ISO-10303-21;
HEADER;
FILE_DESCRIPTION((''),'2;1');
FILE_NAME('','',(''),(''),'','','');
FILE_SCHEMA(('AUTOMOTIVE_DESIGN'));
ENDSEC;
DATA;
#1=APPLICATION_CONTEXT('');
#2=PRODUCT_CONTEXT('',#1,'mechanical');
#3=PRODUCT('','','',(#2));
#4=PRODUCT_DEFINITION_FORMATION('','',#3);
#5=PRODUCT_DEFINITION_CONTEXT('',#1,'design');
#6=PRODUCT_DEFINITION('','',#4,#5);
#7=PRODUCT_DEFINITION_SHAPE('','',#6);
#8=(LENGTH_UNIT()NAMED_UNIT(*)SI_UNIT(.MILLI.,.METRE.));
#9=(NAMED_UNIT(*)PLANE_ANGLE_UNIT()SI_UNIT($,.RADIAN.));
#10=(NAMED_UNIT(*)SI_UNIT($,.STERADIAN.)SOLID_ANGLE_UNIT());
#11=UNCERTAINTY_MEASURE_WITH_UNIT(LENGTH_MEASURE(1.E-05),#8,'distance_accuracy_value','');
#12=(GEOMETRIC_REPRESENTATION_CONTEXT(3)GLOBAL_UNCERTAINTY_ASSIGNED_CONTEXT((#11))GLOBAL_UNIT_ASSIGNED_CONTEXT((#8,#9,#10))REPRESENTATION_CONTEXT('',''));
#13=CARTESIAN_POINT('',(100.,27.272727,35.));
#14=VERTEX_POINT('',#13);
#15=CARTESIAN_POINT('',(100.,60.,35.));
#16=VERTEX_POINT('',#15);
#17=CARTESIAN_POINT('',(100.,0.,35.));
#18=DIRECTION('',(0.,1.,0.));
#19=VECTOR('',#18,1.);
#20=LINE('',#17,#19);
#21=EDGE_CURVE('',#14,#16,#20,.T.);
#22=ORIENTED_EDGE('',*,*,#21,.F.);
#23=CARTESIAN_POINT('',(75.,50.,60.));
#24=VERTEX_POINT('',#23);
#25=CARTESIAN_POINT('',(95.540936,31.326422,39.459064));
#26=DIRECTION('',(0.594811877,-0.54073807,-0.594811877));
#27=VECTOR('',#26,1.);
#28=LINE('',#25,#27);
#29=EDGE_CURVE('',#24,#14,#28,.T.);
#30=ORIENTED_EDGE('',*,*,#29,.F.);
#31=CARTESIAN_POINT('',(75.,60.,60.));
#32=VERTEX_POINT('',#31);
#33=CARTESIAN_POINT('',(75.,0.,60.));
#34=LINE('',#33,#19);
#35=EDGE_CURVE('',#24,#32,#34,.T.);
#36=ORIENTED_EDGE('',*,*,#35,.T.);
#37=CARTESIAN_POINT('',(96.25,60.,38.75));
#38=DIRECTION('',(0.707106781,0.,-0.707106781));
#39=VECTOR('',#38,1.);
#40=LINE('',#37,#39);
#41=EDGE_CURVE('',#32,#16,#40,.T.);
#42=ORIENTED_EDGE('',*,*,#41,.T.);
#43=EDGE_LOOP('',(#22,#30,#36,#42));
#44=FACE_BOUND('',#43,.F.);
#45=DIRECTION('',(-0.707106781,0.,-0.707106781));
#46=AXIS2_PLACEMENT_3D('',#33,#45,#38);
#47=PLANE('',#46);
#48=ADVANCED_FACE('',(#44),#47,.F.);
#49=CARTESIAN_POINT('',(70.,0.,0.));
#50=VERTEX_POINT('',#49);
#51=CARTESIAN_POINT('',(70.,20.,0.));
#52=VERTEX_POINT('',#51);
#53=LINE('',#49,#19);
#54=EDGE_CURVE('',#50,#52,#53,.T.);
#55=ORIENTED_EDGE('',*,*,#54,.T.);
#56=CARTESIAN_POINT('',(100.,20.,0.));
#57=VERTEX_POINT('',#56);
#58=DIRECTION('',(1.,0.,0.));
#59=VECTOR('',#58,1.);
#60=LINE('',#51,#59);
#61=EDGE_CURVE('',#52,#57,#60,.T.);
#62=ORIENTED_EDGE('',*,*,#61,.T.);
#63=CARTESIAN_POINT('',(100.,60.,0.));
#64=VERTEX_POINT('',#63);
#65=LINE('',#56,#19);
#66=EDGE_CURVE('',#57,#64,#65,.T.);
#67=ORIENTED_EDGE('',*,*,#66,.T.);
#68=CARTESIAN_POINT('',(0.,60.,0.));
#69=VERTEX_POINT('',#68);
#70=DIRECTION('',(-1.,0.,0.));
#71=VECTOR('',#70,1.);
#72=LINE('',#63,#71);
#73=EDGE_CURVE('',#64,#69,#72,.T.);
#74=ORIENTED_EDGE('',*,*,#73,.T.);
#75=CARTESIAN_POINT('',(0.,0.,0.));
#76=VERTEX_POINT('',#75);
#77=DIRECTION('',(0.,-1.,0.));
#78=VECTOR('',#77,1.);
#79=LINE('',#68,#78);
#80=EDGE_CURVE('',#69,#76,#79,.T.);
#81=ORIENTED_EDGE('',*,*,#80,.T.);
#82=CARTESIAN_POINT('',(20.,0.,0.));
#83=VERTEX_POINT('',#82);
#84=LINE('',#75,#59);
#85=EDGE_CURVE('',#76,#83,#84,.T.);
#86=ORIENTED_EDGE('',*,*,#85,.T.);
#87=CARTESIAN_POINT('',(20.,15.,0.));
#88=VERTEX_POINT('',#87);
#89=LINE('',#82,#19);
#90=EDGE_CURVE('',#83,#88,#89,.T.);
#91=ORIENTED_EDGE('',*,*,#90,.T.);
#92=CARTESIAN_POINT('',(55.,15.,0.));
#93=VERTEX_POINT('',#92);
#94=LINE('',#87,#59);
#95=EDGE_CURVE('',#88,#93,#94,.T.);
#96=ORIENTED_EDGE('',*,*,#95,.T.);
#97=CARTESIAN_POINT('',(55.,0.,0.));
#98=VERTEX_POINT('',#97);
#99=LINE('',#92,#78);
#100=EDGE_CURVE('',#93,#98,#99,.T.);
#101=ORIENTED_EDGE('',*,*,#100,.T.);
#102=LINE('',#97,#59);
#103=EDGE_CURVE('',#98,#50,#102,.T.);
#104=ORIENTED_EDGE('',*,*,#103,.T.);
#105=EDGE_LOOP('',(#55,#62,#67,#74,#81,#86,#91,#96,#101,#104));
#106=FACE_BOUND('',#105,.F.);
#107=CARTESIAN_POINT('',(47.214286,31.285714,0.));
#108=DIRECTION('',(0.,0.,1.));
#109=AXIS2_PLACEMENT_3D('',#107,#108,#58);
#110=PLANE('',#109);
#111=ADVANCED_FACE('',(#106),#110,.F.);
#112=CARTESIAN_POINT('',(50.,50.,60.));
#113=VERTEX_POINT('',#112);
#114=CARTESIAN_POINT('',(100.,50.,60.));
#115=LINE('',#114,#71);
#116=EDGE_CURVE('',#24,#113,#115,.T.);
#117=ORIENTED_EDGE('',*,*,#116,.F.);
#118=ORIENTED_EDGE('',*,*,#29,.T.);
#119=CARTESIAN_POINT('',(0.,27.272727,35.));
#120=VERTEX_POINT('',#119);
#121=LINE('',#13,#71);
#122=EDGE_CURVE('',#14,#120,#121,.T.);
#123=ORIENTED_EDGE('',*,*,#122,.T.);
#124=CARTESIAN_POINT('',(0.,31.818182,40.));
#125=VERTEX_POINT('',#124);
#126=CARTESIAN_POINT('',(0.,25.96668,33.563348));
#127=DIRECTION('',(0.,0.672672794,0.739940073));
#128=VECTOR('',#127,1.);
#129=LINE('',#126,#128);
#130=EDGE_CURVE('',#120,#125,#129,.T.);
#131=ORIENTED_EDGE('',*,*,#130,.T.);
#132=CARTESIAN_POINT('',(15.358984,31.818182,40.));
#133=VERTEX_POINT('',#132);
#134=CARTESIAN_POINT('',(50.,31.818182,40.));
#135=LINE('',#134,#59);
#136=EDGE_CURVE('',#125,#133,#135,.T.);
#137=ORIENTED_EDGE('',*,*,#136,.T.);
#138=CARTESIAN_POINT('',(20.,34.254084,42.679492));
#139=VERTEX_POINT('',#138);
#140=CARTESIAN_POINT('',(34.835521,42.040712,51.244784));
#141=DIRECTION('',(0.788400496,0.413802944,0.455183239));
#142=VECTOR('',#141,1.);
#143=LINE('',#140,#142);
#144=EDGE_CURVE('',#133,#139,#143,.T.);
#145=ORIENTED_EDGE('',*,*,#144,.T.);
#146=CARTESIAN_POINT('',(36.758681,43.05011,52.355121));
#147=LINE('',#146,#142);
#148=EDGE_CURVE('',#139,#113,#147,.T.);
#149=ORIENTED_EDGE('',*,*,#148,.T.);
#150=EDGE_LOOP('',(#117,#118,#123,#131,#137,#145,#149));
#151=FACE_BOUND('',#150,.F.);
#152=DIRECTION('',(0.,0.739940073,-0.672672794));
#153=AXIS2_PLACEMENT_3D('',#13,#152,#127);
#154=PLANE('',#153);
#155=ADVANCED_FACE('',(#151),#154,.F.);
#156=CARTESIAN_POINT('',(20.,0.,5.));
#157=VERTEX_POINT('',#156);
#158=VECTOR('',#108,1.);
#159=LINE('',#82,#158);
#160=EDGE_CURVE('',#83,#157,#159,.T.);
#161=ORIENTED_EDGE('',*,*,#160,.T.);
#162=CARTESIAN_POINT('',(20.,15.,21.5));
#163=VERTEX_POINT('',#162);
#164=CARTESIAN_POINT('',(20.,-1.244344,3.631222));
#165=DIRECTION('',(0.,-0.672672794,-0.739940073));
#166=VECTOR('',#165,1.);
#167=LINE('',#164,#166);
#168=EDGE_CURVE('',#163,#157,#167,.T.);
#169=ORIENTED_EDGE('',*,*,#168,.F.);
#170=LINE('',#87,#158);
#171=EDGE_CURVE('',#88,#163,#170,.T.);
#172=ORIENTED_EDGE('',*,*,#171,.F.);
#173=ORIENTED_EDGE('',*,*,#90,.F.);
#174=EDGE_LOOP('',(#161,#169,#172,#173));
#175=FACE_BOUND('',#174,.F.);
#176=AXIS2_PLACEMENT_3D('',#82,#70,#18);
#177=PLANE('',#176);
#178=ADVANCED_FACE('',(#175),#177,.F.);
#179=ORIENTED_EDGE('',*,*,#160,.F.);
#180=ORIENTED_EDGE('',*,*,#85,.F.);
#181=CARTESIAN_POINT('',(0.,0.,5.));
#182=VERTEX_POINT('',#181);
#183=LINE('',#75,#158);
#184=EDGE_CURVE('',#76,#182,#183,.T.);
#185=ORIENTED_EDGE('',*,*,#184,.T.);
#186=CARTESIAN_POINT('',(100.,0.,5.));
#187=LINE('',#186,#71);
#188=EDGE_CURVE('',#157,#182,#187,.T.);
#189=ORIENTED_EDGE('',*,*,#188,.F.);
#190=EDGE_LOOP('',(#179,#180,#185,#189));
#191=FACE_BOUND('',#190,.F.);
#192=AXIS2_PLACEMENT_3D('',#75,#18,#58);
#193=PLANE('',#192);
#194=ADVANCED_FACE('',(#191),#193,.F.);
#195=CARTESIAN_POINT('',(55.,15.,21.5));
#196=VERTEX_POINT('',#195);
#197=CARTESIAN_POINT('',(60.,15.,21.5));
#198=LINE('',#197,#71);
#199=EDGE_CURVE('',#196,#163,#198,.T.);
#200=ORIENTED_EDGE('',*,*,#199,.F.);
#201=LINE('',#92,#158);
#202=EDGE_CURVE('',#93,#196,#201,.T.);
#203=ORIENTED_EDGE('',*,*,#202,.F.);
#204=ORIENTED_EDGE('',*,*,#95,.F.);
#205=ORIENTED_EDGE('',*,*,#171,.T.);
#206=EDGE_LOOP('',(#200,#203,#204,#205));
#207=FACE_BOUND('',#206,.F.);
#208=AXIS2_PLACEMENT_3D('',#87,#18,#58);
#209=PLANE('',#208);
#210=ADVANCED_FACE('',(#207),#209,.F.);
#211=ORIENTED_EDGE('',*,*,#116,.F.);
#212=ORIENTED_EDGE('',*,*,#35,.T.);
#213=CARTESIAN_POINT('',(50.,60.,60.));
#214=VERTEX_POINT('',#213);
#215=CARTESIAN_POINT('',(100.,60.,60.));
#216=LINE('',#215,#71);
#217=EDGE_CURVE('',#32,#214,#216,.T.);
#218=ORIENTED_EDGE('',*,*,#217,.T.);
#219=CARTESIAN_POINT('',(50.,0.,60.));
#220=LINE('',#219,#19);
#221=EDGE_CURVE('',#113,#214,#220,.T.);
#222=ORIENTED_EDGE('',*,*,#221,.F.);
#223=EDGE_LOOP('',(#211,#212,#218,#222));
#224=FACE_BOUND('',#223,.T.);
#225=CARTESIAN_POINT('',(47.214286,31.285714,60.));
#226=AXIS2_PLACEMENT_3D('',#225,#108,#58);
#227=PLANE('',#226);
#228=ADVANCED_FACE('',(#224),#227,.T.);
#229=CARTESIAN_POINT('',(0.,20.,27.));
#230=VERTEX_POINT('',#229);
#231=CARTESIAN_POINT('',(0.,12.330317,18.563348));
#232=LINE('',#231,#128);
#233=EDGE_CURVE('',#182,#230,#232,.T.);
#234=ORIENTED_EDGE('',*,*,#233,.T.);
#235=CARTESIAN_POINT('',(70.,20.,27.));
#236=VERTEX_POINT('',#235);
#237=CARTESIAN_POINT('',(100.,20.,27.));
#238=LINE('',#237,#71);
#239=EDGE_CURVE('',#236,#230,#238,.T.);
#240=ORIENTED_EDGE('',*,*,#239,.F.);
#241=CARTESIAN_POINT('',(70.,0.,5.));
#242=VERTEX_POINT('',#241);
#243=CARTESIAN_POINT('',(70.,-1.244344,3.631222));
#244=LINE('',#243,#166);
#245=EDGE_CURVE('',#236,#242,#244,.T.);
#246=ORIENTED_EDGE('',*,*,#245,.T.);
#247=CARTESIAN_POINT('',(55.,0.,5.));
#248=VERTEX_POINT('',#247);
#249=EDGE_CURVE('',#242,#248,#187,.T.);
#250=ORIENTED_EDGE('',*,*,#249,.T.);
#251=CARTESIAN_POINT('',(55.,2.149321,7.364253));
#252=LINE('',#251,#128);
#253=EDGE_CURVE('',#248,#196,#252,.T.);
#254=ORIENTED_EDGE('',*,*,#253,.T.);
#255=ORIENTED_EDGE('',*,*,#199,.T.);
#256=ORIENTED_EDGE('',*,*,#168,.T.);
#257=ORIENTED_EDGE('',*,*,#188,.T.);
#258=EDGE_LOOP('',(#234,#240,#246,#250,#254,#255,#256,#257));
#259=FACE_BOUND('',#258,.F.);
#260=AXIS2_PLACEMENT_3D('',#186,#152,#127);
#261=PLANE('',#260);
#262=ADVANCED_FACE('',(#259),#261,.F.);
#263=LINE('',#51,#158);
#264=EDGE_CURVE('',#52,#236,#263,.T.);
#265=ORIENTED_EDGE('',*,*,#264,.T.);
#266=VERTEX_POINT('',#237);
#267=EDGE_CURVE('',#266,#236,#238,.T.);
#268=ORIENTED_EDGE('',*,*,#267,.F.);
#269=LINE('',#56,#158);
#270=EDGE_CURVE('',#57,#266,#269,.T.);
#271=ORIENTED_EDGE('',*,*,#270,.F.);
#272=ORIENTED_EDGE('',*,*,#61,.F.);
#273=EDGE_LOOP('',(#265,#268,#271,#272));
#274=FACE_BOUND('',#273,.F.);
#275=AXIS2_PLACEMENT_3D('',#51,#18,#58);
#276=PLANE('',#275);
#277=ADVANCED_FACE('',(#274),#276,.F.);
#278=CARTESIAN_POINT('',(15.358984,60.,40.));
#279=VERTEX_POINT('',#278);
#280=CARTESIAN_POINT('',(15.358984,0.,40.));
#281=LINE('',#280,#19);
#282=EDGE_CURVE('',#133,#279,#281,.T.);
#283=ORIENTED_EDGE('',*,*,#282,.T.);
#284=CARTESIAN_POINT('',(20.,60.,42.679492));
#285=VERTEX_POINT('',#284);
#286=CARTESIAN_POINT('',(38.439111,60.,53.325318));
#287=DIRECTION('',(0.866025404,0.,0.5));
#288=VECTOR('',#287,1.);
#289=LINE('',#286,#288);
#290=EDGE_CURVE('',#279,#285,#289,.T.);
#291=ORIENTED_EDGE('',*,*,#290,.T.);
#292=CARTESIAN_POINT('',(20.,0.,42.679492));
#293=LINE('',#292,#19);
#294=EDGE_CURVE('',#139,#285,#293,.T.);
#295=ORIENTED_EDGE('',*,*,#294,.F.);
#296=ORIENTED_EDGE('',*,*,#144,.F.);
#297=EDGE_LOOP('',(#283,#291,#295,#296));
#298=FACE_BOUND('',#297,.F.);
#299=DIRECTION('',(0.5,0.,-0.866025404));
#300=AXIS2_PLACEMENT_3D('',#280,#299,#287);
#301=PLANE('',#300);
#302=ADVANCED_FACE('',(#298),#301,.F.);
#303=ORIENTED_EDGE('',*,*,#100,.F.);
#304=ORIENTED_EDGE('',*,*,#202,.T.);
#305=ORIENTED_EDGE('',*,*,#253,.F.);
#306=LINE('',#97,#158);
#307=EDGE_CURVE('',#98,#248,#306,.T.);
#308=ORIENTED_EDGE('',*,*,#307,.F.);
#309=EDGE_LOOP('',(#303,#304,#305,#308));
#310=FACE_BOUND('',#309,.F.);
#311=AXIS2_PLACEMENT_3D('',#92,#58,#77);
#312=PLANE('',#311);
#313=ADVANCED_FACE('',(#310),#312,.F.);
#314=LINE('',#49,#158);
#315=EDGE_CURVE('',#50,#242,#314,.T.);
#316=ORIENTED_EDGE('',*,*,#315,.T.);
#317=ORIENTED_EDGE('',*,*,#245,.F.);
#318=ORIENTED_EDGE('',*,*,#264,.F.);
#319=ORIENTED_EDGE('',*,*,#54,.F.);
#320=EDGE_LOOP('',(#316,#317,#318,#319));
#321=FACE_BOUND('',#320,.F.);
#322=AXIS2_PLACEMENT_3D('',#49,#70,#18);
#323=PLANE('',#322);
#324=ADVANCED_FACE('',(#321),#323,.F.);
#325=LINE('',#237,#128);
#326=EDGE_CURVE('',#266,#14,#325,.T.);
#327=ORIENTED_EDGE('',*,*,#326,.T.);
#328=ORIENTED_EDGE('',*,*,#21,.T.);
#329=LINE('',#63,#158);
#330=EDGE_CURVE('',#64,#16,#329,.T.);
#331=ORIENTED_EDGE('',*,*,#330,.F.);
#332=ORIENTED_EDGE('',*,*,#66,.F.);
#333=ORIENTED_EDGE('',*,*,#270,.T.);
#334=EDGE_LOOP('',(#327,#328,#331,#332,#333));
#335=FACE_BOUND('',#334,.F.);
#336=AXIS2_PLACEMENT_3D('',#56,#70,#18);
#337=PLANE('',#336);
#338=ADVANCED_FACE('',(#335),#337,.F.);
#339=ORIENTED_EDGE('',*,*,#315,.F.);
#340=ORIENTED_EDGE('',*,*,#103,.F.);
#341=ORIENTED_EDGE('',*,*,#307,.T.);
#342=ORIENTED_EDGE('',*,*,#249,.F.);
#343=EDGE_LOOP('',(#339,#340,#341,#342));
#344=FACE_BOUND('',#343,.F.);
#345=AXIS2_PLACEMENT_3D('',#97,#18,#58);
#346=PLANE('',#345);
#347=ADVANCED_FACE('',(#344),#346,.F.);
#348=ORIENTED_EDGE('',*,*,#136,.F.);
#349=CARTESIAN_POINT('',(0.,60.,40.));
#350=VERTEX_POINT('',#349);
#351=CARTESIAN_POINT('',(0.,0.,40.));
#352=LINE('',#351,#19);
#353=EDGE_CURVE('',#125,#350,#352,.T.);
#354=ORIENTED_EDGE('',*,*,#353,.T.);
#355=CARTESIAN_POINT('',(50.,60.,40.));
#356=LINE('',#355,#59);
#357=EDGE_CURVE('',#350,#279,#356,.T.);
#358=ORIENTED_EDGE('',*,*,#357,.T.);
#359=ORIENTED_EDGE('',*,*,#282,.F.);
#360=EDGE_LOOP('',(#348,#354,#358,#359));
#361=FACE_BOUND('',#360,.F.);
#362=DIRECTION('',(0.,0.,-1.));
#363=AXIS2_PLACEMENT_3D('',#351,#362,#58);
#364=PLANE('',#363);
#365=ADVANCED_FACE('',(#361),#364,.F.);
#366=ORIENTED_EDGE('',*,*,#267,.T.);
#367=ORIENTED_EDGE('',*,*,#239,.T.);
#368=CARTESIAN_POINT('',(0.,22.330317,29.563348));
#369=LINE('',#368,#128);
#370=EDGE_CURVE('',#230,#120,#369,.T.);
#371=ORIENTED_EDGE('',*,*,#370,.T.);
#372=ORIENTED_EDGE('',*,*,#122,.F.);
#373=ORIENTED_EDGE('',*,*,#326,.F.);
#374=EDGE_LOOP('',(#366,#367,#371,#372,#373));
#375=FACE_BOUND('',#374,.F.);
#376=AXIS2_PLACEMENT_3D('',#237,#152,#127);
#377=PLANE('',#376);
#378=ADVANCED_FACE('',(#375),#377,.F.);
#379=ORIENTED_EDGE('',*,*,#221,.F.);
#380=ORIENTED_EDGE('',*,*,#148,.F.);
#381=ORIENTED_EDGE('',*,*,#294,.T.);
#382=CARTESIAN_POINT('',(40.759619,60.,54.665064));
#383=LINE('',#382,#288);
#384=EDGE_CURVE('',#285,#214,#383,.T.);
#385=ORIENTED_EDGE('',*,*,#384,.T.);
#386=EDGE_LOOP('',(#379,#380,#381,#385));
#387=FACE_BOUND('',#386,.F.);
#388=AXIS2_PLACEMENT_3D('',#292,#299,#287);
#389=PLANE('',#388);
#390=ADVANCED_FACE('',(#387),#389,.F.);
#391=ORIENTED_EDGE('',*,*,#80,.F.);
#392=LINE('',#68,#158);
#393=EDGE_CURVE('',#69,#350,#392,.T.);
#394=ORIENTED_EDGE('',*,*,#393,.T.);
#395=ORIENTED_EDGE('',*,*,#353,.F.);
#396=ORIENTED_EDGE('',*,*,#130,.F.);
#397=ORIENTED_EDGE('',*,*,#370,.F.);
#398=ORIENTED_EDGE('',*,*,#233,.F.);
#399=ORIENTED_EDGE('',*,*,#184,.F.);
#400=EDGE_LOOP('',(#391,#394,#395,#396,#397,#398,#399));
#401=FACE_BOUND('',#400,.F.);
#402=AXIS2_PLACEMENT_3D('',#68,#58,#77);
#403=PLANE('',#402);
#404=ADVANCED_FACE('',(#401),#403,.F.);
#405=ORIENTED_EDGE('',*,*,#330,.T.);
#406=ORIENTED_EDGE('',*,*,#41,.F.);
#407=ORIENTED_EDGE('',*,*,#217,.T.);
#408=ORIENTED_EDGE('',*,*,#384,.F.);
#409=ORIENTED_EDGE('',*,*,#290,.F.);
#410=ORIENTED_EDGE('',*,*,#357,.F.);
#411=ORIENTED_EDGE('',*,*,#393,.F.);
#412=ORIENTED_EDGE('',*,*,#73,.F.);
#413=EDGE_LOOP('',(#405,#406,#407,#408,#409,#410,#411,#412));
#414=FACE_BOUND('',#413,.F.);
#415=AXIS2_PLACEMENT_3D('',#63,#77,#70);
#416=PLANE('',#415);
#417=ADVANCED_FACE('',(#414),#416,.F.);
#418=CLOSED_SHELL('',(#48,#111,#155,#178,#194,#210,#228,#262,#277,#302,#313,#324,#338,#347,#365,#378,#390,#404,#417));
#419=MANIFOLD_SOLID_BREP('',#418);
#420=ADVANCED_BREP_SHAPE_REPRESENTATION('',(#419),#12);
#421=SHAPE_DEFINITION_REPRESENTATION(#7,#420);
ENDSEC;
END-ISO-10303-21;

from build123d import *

# Parameters (mm, degrees)
F1_DEPTH = 60
F3_DEPTH = 60.001
F5_DEPTH = 100.001


with BuildPart() as f1:
    # F0 (on Top) → F1 (new body)
    with BuildSketch(Plane.XY):
        Polygon((0, 60), (0, 0), (20, 0), (20, 15), (55, 15), (55, 0), (70, 0), (70, 20), (100, 20), (100, 60), align=None)
    extrude(amount=F1_DEPTH)

    # F2 (on face) → F3 (cut, through all)
    with BuildSketch(Plane.XZ):
        Polygon((0, 60), (0, 40), (15.3589838486, 40), (20, 42.6794919243), (20, 60), align=None)
        Polygon((20, 60), (20, 42.6794919243), (50, 60), align=None)
        Polygon((100, 60), (75, 60), (100, 35), align=None)
    extrude(amount=-F3_DEPTH, mode=Mode.SUBTRACT)

    # F4 (on face) → F5 (cut, through all)
    with BuildSketch(Plane.YZ.offset(100)):
        Polygon((27.2727272727, 35), (50, 60), (0, 60), (0, 5), (20, 27), (20, 35), align=None)
        Polygon((20, 27), (27.2727272727, 35), (20, 35), align=None)
    extrude(amount=-F5_DEPTH, mode=Mode.SUBTRACT)


solid = f1.part
